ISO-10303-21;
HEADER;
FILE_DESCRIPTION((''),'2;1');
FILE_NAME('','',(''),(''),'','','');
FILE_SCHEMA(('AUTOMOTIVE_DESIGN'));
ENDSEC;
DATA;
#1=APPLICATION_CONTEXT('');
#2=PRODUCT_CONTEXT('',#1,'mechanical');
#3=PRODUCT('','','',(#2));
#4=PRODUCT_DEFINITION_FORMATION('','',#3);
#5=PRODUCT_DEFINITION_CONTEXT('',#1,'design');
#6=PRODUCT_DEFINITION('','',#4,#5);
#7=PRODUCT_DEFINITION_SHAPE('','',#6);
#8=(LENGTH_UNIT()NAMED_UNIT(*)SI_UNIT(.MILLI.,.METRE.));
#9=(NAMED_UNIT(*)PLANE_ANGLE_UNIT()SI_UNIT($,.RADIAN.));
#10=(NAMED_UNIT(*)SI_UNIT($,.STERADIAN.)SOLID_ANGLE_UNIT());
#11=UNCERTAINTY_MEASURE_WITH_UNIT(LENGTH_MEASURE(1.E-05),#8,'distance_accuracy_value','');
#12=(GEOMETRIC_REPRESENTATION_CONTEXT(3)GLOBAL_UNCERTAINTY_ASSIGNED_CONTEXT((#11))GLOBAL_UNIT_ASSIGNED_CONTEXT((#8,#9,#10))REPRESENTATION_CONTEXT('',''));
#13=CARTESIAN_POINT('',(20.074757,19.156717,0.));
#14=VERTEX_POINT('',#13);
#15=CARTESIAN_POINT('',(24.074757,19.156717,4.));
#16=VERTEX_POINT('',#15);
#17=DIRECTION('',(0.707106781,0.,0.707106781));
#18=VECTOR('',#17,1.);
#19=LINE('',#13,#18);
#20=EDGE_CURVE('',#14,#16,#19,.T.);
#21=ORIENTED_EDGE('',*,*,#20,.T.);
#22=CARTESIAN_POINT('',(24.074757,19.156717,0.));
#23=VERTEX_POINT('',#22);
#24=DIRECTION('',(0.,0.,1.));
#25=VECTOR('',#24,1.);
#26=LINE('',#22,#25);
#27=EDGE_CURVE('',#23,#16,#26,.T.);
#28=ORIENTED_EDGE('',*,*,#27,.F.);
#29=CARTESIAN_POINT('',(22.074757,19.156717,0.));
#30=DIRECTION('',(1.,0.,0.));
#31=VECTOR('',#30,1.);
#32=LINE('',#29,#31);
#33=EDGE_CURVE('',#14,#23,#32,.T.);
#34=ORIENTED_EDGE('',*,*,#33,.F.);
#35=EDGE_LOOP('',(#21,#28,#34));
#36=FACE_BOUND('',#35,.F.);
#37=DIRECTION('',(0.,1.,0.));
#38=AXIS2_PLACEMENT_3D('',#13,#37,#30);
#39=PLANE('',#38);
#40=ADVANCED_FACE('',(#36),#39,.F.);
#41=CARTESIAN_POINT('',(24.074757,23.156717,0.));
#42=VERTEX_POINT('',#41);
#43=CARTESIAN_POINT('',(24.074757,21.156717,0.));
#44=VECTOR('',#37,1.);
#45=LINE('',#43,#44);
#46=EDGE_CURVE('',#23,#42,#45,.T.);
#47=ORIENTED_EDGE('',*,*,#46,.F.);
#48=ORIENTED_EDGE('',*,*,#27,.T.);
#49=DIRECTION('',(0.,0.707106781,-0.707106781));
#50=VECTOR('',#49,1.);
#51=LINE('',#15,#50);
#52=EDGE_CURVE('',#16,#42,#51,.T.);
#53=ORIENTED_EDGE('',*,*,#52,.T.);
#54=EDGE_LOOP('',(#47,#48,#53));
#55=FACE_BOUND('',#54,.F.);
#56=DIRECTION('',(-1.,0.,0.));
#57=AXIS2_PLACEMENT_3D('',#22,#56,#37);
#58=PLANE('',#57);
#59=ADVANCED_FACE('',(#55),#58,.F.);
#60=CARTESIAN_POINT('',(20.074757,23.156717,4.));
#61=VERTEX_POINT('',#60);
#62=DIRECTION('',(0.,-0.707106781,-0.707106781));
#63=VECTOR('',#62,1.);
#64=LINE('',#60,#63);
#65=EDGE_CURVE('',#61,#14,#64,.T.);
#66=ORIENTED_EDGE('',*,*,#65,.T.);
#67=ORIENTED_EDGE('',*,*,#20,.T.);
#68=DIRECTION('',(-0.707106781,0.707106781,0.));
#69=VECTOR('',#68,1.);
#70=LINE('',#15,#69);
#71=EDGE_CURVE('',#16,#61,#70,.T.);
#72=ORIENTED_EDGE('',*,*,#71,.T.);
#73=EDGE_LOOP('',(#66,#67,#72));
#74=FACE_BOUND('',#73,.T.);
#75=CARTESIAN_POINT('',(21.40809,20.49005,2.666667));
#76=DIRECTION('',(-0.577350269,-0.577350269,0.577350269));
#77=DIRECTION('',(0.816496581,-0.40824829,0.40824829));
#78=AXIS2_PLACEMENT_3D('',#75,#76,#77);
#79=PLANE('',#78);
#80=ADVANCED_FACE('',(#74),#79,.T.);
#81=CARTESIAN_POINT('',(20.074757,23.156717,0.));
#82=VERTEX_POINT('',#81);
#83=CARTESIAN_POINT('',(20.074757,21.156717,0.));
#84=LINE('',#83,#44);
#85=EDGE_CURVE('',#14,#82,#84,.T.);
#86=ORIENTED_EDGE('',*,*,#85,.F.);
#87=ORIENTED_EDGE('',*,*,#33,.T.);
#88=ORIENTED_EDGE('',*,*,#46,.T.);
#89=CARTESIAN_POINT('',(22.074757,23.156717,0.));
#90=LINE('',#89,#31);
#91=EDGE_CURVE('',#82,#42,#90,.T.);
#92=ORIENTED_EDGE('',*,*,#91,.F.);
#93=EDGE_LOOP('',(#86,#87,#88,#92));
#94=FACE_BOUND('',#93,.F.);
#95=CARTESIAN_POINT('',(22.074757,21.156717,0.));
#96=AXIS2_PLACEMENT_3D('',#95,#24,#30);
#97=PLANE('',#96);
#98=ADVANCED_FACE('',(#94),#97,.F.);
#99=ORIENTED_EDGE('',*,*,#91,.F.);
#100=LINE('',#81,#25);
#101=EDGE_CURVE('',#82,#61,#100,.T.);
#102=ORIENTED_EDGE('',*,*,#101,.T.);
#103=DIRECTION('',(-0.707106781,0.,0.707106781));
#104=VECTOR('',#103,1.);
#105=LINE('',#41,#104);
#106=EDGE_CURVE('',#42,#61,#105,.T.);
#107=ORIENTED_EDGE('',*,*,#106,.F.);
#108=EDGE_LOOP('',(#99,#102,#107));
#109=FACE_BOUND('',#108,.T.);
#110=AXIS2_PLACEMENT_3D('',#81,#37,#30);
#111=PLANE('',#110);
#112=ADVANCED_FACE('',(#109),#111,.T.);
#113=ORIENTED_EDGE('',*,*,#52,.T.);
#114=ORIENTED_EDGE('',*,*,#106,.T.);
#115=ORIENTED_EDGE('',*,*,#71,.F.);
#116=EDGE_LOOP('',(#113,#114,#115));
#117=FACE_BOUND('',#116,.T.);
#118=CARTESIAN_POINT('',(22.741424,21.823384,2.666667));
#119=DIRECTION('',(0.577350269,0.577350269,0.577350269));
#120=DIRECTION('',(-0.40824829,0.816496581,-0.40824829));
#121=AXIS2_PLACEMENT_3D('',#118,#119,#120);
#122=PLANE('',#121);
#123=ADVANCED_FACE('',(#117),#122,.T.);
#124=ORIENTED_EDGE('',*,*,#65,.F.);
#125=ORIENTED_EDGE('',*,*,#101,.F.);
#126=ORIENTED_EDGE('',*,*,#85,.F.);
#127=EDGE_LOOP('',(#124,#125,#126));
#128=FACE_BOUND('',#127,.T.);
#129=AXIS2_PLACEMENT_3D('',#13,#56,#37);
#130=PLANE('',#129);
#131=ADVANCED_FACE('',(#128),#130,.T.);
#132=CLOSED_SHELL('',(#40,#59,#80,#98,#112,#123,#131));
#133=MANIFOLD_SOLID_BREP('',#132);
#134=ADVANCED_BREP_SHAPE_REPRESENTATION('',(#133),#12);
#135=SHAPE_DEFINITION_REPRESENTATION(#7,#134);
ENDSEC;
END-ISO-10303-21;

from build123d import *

# Parameters (mm, degrees)
F0_W     = 4
F0_H     = 4
F1_DEPTH = 4
F4_DEPTH = 25
F7_DEPTH = 25


with BuildPart() as f1:
    # F0 (on Top) → F1 (new body)
    with BuildSketch(Plane.XY):
        with Locations((22.0747571118, 21.156716859)):
            Rectangle(F0_W, F0_H)
    extrude(amount=F1_DEPTH)

    # F3 (on 3pt) → F4 (cut)
    with BuildSketch(Plane(origin=(13.0771579903, 13.0771579903, -13.0771579903), x_dir=(0.8164965809, -0.4082482905, 0.4082482905), z_dir=(-0.5773502692, -0.5773502692, 0.5773502692))):
        Polygon((13.4692531218, 16.374271521), (8.5702736362, 19.2026986457), (8.5702736362, 13.5458443962), align=None)
    extrude(amount=F4_DEPTH, mode=Mode.SUBTRACT)

    # F6 (on 3pt) → F7 (cut)
    with BuildSketch(Plane(origin=(15.7438246569, 15.7438246569, 15.7438246569), x_dir=(-0.4082482905, 0.8164965809, -0.4082482905), z_dir=(0.5773502692, 0.5773502692, 0.5773502692))):
        Polygon((9.0789017066, -17.0234240092), (9.0789017066, -11.3665697597), (4.1799222211, -14.1949968844), align=None)
    extrude(amount=F7_DEPTH, mode=Mode.SUBTRACT)


solid = f1.part
